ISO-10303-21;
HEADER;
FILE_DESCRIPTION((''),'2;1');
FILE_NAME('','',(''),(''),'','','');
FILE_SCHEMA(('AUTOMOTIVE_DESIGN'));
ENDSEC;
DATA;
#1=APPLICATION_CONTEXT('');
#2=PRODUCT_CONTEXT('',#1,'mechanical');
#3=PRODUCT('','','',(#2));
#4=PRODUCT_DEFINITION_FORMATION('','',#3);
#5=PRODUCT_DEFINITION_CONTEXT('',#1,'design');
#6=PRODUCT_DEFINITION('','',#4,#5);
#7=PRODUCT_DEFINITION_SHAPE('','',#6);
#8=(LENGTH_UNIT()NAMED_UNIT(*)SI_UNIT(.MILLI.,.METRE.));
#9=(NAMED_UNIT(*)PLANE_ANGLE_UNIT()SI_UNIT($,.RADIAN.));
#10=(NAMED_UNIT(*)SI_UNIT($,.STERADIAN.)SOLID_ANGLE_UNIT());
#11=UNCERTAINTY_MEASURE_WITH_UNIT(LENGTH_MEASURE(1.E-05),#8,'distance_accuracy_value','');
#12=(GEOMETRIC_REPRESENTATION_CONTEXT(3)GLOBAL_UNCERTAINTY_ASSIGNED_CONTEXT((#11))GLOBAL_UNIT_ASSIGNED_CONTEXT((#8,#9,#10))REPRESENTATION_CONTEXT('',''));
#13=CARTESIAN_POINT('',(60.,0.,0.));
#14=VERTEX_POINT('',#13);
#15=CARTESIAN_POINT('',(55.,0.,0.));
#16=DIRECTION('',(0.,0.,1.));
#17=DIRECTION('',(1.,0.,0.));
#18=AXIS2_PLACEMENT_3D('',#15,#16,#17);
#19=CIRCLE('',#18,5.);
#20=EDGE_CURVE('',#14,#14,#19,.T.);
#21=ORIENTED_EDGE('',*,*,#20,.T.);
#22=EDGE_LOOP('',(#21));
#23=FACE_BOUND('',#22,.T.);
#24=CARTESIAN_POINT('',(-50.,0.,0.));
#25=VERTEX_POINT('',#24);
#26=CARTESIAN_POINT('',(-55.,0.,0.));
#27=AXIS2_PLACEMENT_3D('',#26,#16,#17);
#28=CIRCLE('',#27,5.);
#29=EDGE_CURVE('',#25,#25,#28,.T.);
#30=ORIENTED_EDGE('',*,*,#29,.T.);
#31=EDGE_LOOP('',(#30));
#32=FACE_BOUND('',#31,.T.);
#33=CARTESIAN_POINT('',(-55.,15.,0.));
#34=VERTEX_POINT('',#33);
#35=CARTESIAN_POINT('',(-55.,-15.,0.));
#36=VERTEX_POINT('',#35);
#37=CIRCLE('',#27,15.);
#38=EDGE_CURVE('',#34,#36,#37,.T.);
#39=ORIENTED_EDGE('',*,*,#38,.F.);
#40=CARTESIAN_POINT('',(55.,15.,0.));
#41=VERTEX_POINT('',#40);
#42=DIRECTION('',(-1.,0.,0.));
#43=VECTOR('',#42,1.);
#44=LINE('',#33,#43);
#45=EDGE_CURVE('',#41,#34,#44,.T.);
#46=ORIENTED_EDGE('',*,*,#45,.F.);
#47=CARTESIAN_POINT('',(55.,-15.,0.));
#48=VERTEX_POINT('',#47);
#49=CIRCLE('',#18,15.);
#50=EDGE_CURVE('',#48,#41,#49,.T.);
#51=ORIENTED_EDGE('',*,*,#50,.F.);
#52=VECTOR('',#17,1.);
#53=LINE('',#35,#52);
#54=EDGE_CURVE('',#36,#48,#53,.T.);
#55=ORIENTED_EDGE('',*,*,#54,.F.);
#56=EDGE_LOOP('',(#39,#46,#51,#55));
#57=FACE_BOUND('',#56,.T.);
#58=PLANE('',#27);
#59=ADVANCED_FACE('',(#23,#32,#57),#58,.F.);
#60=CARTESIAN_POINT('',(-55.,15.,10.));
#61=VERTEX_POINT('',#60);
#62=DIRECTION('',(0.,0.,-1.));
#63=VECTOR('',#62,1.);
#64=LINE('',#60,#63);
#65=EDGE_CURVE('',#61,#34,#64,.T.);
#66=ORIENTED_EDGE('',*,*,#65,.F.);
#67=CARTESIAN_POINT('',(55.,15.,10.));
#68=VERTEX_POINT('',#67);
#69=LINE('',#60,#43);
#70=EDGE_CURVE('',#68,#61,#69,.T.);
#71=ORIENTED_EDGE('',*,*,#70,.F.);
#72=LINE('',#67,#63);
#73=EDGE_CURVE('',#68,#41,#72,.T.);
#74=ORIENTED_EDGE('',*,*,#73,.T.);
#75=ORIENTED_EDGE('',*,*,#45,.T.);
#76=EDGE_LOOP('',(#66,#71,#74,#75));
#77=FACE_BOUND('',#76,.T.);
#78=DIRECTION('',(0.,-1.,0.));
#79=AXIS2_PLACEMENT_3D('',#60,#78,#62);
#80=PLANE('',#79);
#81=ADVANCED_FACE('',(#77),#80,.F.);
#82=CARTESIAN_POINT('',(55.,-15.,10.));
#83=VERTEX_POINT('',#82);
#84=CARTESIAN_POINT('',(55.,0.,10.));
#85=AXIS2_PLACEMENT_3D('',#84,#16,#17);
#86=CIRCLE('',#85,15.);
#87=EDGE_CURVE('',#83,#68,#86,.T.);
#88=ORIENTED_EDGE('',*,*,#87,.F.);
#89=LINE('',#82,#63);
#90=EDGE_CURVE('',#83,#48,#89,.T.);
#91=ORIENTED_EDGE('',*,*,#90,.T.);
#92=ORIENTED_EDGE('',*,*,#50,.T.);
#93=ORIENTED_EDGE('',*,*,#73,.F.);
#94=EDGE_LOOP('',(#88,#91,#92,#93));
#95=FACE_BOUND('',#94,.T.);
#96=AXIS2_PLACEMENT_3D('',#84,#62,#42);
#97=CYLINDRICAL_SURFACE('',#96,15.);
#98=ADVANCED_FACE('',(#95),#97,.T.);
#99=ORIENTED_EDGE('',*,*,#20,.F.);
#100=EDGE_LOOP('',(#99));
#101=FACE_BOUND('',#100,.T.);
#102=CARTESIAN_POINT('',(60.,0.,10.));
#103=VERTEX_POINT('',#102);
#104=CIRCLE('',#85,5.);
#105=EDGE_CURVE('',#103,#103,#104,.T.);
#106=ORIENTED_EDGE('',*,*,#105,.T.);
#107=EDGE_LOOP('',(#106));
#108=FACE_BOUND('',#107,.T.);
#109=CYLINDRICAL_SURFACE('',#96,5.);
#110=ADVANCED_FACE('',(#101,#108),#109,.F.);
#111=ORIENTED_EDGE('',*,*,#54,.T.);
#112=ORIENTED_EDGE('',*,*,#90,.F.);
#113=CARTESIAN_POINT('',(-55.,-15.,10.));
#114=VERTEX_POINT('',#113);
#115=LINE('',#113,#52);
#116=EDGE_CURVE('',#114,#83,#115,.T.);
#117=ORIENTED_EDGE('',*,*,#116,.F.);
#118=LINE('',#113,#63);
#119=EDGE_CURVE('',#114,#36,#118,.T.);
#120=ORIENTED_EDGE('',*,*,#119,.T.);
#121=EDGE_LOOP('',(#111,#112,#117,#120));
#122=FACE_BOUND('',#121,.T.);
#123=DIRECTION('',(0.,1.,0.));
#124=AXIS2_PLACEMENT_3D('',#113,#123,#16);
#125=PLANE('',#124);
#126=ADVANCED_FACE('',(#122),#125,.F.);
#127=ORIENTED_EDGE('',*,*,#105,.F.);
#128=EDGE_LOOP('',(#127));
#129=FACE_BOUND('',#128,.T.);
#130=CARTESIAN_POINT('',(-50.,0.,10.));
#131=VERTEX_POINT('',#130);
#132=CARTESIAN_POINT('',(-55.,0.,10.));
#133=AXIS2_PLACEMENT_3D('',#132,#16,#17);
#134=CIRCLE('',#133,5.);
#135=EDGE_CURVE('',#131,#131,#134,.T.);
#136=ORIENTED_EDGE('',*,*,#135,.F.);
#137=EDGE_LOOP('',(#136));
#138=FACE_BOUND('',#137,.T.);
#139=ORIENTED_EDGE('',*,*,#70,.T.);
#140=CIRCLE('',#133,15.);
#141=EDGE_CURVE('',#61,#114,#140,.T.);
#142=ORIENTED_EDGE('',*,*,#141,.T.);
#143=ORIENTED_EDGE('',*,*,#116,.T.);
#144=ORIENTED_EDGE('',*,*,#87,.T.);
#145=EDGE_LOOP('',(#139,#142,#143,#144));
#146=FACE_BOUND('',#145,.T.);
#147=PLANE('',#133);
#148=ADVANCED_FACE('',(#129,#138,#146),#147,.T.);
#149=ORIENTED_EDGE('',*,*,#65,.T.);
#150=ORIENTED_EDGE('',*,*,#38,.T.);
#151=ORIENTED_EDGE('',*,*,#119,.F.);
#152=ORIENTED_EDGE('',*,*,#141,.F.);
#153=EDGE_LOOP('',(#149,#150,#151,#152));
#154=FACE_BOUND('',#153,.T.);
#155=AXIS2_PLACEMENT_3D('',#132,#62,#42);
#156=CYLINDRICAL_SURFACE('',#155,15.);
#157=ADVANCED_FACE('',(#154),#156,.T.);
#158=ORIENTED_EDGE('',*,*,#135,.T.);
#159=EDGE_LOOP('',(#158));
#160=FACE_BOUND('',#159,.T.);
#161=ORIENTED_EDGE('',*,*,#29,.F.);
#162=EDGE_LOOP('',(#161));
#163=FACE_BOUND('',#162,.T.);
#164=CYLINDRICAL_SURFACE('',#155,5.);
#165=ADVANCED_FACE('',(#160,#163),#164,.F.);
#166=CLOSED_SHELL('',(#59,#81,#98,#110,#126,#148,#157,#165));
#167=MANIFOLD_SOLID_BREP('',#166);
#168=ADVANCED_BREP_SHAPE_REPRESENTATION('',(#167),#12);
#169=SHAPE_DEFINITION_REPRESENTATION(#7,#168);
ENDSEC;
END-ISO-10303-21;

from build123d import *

# Parameters (mm, degrees)
SKETCH1_R           = 5
BOSS_EXTRUDE1_DEPTH = 10


with BuildPart() as part:
    # Sketch1 → Boss-Extrude1 (new body)
    with BuildSketch(Plane.XY):
        with BuildLine():
            Line((-55, 15), (55, 15))
            ThreePointArc((55, 15), (70, 0), (55, -15))
            Line((55, -15), (-55, -15))
            ThreePointArc((-55, -15), (-70, 0), (-55, 15))
        make_face()
        with Locations((-55, 0)):
            Circle(SKETCH1_R, mode=Mode.SUBTRACT)
        with Locations((55, 0)):
            Circle(SKETCH1_R, mode=Mode.SUBTRACT)
    extrude(amount=BOSS_EXTRUDE1_DEPTH)


solid = part.part
